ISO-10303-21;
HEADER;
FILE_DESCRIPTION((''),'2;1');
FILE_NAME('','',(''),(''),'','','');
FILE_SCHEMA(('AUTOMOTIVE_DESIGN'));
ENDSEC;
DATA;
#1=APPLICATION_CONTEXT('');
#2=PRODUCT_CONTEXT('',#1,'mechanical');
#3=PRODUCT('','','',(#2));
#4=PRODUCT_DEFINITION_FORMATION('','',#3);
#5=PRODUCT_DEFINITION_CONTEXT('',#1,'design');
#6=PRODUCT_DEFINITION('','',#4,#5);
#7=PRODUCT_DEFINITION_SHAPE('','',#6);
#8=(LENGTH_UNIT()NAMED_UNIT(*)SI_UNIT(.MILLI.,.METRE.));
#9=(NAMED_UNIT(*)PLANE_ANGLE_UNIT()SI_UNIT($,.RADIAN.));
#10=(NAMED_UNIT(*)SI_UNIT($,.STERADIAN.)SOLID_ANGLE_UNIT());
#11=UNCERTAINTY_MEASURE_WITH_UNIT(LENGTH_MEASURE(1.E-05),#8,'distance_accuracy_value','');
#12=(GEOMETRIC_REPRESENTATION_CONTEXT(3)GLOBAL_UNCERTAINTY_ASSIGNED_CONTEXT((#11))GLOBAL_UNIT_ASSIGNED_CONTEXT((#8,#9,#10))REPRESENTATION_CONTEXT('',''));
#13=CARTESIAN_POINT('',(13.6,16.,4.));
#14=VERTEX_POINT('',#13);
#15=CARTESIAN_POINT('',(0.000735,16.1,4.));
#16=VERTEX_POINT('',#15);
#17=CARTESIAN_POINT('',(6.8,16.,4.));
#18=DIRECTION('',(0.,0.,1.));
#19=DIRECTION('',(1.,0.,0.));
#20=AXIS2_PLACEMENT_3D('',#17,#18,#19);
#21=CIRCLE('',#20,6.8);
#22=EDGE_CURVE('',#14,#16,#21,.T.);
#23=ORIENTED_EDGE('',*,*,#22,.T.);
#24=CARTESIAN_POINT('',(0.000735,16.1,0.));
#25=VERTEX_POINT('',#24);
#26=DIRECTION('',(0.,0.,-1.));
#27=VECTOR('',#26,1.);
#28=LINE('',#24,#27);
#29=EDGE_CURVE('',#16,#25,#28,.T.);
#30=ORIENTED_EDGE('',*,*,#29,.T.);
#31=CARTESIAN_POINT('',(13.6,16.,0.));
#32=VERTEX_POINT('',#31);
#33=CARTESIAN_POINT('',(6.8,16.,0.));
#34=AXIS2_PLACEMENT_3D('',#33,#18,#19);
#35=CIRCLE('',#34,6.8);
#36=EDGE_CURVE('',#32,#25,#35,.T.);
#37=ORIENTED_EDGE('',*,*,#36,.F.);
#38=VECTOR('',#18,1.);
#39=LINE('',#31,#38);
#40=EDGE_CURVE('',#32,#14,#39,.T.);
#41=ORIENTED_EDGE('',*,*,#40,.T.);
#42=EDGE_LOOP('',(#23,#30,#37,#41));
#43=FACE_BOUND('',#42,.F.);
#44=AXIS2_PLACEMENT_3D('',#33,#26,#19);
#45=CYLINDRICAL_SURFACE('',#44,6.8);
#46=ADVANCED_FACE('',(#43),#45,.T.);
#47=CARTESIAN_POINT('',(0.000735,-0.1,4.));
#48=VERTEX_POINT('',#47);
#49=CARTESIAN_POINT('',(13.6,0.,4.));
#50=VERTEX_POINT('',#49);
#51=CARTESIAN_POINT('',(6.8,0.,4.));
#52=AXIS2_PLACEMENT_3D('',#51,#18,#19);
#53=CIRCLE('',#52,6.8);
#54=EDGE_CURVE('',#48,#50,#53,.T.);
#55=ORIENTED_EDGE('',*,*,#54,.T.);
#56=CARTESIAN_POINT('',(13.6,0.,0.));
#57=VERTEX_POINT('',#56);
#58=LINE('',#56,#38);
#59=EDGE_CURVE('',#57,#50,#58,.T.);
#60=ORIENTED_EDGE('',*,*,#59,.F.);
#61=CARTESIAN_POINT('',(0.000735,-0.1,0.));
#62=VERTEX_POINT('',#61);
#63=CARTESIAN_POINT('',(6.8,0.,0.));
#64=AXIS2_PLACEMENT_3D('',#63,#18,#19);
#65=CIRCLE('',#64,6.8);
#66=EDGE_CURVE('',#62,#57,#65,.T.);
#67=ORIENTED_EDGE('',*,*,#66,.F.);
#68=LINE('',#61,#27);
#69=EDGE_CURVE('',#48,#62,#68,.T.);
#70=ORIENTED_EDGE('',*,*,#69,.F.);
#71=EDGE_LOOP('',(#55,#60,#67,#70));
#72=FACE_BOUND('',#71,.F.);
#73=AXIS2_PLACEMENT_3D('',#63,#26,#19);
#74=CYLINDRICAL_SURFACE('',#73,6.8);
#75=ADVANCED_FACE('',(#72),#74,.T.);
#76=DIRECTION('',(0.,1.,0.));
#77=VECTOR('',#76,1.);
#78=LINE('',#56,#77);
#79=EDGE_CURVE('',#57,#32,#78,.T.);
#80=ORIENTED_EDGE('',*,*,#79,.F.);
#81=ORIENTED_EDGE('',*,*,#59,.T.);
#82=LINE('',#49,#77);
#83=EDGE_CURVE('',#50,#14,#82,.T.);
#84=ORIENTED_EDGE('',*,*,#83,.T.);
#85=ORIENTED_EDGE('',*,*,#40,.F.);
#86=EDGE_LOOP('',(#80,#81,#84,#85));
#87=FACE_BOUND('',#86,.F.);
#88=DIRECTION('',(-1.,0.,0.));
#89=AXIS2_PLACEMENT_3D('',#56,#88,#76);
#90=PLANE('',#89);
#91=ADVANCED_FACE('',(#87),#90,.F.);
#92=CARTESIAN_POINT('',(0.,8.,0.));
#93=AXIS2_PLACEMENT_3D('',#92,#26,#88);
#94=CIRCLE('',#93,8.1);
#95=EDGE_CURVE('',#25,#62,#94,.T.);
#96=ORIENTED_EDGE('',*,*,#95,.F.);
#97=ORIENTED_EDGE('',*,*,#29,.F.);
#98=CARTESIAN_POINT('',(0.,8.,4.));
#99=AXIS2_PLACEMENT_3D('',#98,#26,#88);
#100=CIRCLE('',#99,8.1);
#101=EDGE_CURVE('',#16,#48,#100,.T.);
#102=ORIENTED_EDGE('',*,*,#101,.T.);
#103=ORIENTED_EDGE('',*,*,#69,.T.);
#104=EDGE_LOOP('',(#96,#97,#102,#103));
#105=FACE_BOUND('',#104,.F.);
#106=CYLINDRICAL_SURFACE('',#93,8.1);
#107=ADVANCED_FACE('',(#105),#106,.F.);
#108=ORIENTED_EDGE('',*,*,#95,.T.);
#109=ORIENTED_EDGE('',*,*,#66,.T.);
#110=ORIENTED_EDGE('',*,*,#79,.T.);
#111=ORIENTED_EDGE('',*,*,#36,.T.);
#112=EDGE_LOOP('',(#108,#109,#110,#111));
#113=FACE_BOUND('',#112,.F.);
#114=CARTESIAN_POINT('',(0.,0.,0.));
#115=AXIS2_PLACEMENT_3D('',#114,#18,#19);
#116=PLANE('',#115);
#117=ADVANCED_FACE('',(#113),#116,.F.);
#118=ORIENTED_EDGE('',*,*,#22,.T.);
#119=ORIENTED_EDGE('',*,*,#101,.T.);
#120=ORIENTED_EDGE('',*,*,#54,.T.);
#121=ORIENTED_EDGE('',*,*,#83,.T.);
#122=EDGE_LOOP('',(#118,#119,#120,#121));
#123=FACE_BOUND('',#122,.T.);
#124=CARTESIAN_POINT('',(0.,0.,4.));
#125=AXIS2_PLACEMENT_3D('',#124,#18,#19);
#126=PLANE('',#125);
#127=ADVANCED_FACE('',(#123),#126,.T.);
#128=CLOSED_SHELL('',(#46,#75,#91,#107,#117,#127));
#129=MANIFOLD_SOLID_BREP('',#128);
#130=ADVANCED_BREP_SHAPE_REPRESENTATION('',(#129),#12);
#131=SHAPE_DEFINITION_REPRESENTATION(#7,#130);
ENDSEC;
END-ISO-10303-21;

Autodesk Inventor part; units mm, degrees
ref_plane "YZ Plane" through (0, 0, 0) normal (1, 0, 0) x (0, 1, 0)
ref_plane "XZ Plane" through (0, 0, 0) normal (0, 1, 0) x (-1, 0, 0)
ref_plane "XY Plane" through (0, 0, 0) normal (0, 0, 1) x (1, 0, 0)
sketch "Sketch1" plane through (0, 0, 0) normal (0, 0, 1) x (1, 0, 0)
  line L0 (0, 0) -> (13.6, 0)
  line L1 (13.6, 0) -> (13.6, 16)
  line L2 (13.6, 16) -> (0, 16)
  line L3 (0, 16) -> (0, 0)
  circle A0 centre (6.8, 16) radius 6.8
  circle A1 centre (6.8, 0) radius 6.8
  dimension "d0" = 16
  dimension "d1" = 13.6
extrude "Extrusion1" add sketch "Sketch1" along normal blind 4
sketch "Sketch2" plane through (0, 0, 0) normal (0, 0, -1) x (-1, 0, 0)
  line L0 (0, 16) -> (0, 0) projected
  circle A0 centre (0, 8) radius 8.1
  dimension "d5" = 16.2
extrude "Extrusion2" cut sketch "Sketch2" along normal through all both and the other way through all
equation "\"RodDiameter\" = 8"
equation "\"VerticalBearingOD\" = 16"
equation "\"PrintingClearance\" = 0.2"
properties part number "ExtruderLock"
